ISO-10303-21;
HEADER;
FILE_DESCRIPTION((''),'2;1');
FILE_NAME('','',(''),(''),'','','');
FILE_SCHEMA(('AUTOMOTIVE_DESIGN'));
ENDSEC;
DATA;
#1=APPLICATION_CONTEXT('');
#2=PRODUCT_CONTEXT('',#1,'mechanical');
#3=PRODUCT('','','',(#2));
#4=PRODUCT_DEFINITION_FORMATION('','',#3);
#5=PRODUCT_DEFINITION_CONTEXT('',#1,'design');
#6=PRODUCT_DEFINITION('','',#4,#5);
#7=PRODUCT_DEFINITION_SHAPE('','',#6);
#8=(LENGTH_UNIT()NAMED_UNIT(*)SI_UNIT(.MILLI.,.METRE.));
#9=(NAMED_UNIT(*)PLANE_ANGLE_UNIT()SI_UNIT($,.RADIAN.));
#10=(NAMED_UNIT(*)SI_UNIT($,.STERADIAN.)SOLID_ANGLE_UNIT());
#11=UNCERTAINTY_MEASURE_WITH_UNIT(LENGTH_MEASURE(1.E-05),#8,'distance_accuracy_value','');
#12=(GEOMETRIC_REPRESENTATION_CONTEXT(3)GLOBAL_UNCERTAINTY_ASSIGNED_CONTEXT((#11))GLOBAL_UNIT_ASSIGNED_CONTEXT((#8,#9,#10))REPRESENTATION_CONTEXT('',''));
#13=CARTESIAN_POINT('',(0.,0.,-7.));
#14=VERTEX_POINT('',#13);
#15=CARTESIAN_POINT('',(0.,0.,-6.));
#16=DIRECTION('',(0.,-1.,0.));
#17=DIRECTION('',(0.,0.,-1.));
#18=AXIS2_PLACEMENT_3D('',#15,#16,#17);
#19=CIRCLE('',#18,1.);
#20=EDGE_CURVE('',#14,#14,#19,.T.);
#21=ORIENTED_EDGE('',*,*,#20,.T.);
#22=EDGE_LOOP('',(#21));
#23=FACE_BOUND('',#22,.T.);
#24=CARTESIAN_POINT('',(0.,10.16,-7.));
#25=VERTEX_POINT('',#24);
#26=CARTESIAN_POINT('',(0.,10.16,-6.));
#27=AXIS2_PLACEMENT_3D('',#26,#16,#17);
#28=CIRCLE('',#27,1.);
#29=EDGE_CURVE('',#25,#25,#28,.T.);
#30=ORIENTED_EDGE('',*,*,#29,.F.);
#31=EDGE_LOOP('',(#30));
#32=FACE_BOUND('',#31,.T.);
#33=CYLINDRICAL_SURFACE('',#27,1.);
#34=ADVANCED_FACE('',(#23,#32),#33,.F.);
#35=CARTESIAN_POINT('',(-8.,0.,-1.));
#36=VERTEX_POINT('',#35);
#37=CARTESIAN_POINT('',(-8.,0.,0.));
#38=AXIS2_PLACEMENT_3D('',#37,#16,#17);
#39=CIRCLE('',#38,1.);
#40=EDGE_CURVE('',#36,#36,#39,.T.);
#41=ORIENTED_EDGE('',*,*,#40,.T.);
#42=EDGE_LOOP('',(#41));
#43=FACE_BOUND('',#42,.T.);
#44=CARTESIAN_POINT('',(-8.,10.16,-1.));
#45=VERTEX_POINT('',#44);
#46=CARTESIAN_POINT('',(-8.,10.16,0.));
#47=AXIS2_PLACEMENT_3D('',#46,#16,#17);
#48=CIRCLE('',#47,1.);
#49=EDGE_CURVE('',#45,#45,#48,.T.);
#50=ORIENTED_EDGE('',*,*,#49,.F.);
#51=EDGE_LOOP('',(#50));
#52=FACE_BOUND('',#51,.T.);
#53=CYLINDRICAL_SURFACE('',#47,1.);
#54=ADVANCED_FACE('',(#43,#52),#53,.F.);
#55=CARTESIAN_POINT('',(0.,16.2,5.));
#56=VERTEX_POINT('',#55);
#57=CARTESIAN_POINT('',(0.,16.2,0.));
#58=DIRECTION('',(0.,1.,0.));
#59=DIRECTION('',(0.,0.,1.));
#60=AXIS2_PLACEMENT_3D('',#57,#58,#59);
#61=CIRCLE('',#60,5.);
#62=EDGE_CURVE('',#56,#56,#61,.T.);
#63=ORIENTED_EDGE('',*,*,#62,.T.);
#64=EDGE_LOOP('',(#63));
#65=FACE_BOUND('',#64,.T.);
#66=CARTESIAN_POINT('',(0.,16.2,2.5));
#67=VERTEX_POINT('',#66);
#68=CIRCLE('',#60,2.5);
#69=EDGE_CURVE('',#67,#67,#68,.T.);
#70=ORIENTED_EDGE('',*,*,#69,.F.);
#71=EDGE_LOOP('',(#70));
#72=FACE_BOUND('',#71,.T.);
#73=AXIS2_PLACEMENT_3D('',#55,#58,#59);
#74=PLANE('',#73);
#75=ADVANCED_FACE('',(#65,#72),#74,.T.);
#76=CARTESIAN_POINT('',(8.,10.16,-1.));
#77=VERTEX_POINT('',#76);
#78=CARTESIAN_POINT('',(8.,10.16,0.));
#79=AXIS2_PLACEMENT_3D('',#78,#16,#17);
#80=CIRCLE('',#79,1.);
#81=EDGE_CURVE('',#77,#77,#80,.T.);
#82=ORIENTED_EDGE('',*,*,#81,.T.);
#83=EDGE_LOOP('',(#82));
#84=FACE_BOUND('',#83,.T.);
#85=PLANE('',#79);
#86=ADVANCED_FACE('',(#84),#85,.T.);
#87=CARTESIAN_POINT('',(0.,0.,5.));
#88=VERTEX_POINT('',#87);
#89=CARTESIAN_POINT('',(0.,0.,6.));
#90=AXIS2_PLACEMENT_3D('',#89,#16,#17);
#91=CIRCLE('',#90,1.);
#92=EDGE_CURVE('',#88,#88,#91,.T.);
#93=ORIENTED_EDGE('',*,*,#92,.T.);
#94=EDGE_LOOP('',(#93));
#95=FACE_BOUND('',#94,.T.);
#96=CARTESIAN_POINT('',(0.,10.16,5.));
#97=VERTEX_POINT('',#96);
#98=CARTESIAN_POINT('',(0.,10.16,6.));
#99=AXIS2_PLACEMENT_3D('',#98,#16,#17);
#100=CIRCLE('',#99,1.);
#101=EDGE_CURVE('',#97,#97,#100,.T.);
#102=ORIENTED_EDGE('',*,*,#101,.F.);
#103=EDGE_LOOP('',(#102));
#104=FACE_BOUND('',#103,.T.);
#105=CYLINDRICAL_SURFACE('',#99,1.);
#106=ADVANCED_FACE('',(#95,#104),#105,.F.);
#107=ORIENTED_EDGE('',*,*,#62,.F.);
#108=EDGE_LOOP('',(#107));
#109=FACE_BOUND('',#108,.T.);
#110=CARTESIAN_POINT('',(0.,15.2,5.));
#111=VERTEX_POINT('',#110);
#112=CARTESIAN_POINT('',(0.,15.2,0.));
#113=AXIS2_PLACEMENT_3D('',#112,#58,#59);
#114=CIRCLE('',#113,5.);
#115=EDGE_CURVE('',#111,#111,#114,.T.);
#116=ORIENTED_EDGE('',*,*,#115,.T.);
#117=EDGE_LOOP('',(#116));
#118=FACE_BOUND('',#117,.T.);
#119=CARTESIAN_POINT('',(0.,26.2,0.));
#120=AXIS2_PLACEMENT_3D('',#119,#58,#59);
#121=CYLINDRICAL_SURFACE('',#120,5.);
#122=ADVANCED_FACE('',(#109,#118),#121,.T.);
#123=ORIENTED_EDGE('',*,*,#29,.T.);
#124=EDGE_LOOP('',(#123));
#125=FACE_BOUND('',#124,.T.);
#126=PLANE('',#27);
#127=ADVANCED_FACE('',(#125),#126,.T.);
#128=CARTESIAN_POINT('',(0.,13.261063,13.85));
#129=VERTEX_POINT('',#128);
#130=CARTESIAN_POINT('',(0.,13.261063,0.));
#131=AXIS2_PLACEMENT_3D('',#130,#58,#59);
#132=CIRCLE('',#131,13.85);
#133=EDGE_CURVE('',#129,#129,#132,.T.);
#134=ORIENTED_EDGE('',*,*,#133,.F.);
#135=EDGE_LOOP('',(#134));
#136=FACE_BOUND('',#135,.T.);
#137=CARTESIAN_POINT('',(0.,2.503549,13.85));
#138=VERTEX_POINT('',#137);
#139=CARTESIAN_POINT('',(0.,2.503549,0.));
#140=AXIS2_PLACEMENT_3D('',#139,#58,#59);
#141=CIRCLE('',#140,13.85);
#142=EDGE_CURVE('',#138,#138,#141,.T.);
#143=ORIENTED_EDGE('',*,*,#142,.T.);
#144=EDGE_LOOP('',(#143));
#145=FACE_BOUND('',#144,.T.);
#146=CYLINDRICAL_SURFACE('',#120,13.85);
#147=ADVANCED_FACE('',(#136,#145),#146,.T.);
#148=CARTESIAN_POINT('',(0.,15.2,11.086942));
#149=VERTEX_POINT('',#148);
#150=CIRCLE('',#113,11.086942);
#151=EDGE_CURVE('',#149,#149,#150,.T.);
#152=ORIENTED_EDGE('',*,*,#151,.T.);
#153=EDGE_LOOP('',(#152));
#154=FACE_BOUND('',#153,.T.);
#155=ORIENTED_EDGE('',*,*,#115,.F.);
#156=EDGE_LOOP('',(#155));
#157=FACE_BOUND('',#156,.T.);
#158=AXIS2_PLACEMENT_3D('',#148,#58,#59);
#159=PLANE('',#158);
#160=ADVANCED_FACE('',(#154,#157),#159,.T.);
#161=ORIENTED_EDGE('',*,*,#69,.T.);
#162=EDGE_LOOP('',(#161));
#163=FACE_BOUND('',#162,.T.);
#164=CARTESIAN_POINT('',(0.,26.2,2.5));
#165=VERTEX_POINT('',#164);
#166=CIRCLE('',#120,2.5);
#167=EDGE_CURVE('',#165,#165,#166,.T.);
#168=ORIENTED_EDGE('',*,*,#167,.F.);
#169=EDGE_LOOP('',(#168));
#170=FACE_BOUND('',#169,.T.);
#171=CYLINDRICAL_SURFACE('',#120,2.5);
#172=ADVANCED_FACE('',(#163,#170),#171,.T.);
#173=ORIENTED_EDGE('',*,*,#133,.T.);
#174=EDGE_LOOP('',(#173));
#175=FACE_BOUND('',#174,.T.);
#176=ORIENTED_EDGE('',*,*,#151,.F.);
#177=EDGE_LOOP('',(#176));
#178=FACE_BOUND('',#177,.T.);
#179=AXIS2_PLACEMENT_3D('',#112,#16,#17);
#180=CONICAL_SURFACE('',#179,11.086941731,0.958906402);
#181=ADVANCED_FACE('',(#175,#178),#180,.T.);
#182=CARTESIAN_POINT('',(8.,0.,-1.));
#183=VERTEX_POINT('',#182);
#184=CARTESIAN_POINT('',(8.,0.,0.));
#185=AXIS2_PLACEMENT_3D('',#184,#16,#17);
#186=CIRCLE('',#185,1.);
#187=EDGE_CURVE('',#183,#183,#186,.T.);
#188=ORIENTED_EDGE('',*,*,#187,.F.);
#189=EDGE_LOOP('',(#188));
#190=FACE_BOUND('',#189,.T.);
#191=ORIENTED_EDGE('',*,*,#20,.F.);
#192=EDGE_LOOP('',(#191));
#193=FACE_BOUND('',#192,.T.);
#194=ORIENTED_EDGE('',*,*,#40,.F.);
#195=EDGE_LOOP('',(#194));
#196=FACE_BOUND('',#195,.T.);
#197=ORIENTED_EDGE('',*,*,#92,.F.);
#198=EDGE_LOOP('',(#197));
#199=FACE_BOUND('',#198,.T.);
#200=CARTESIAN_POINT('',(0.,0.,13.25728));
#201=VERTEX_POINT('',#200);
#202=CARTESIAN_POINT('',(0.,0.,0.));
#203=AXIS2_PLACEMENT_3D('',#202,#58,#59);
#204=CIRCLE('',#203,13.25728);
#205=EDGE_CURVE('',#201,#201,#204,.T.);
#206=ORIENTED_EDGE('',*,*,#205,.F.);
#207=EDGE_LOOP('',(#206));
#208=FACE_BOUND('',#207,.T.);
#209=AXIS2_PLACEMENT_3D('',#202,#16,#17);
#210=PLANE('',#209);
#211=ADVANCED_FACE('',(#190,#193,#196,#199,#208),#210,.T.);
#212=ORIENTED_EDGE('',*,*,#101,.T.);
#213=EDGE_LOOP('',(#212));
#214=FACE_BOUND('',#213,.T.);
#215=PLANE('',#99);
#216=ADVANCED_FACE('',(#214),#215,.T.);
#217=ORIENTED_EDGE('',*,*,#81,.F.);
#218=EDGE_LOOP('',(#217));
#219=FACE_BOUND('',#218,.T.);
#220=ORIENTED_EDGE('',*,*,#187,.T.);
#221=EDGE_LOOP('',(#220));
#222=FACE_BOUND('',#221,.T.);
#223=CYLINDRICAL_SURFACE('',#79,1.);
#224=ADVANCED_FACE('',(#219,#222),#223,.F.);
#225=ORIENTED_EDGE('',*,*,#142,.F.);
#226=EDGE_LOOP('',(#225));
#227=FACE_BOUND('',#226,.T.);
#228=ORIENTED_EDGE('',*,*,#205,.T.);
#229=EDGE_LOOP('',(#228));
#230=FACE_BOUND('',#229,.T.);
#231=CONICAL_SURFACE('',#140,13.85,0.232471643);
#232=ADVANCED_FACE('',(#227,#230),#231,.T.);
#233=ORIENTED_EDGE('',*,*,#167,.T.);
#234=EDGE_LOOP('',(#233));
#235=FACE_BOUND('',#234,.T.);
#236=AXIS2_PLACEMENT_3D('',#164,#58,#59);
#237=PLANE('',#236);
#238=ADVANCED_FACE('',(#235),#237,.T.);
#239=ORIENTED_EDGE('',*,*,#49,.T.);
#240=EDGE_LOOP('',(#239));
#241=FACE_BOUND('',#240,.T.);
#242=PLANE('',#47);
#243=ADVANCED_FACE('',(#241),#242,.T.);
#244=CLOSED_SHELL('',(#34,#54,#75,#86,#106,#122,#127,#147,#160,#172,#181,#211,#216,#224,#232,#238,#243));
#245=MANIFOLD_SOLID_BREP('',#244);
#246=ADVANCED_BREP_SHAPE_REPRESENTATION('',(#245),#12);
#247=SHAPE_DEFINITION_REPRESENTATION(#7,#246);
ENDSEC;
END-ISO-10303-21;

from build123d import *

# Parameters (mm, degrees)
SKETCH2_R          = 1
CUT_EXTRUDE1_DEPTH = 10.16


with BuildPart() as part:
    # Sketch1 → Revolve1 (revolve)
    with BuildSketch(Plane(origin=(0, 0, 0), x_dir=(0, 0, -1), z_dir=(1, 0, 0))):
        Polygon((0, 0), (-13.257279683, 0), (-13.85, 2.503549111), (-13.85, 13.261063329), (-11.086941731, 15.2), (-5, 15.2), (-5, 16.2), (-2.5, 16.2), (-2.5, 26.2), (0, 26.2), align=None)
    revolve(axis=Axis((0, 26.2, 0), (0, -1, 0)))

    # Sketch2 → Cut-Extrude1 (cut)
    with BuildSketch(Plane.XZ):
        with Locations(Location((0, 6, 0), (0, 0, 270))):
            Circle(SKETCH2_R)
        with Locations(Location((8, 0, 0), (0, 0, 270))):
            Circle(SKETCH2_R)
        with Locations(Location((0, -6, 0), (0, 0, 270))):
            Circle(SKETCH2_R)
        with Locations(Location((-8, 0, 0), (0, 0, 270))):
            Circle(SKETCH2_R)
    extrude(amount=-CUT_EXTRUDE1_DEPTH, mode=Mode.SUBTRACT)


solid = part.part
